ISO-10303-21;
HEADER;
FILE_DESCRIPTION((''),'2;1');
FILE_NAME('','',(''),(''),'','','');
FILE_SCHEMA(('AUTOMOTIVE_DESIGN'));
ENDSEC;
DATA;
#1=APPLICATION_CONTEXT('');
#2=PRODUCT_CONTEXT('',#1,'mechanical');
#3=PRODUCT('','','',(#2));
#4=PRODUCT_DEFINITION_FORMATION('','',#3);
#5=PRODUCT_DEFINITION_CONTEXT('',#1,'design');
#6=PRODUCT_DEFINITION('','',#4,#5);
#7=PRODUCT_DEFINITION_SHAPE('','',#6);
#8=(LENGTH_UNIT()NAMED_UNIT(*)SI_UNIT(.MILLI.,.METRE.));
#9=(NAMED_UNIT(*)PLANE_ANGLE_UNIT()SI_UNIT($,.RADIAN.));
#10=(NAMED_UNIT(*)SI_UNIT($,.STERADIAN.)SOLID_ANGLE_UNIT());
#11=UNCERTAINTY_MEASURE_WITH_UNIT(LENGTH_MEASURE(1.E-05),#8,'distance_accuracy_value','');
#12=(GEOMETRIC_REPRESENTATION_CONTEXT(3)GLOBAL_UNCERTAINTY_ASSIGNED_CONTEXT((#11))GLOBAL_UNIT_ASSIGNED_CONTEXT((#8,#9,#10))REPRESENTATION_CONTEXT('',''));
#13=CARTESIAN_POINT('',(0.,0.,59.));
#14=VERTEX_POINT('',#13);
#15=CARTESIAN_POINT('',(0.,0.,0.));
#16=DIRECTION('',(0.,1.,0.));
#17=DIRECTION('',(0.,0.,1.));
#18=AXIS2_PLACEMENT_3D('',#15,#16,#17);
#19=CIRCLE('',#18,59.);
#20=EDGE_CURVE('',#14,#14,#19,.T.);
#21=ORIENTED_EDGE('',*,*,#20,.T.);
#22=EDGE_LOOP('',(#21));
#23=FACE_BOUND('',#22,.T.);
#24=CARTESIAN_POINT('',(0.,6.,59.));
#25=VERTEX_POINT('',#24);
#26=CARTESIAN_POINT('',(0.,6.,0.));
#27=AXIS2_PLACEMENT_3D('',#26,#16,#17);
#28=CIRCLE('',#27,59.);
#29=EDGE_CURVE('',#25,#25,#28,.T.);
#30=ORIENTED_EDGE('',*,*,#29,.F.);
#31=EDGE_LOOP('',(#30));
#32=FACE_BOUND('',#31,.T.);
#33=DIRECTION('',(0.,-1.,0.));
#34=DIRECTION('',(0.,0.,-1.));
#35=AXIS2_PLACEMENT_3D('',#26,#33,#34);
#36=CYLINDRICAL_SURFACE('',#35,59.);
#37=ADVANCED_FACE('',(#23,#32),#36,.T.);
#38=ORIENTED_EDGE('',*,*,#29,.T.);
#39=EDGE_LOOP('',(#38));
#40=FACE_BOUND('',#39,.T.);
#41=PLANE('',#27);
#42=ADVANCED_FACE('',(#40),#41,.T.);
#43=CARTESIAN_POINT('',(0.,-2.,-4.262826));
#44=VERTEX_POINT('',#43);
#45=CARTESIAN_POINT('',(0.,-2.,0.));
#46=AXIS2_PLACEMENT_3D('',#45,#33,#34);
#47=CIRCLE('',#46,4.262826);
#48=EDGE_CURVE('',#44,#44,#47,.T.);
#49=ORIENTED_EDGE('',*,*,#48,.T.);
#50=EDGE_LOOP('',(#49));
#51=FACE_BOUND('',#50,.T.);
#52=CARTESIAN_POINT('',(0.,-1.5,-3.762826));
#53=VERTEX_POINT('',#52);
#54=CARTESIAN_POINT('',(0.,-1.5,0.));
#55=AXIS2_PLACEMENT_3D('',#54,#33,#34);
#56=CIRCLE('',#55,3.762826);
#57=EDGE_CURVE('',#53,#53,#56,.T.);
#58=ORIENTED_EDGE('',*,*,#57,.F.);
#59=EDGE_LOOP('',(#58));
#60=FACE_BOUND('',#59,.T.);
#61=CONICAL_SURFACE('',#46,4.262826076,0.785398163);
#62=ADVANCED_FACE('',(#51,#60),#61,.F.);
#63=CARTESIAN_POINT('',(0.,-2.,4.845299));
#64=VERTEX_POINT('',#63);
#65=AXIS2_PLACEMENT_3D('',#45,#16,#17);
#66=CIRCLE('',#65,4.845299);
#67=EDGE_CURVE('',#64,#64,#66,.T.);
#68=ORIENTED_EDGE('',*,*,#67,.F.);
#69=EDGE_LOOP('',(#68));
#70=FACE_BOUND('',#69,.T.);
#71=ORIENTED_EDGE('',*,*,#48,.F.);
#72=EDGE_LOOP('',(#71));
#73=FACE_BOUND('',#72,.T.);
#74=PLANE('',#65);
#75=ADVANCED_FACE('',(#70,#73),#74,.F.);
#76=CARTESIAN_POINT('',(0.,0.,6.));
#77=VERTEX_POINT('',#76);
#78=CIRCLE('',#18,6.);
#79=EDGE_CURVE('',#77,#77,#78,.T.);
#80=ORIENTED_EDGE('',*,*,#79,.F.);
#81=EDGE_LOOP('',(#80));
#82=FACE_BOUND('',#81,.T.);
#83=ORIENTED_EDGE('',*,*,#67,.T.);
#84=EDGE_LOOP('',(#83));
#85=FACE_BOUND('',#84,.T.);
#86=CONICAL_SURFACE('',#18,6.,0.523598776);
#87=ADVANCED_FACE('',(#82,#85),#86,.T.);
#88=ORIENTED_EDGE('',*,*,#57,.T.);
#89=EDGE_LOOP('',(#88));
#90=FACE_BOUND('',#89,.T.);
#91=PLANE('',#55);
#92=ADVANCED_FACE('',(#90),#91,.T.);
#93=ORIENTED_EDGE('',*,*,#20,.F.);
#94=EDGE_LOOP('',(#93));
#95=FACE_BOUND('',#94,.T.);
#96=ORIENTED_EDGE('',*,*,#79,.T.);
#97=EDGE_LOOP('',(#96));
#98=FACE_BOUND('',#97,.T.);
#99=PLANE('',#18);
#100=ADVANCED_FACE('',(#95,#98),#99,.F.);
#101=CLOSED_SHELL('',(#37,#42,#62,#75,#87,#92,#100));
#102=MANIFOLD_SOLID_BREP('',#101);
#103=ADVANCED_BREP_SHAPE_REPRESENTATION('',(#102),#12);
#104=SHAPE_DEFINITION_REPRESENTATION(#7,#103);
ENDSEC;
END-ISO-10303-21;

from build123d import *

# Parameters (mm, degrees)
SKIZZE1_R                       = 59
AUFSATZ_LINEAR_AUSTRAGEN1_DEPTH = 6
SKIZZE1_3_R                     = 6
AUFSATZ_LINEAR_AUSTRAGEN2_DEPTH = 2
AUFSATZ_LINEAR_AUSTRAGEN2_DRAFT = -30
SKIZZE2_R                       = 4.262826076
SCHNITT_LINEAR_AUSTRAGEN1_DEPTH = 0.5
SCHNITT_LINEAR_AUSTRAGEN1_DRAFT = -45


with BuildPart() as part:
    # Skizze1 → Aufsatz-Linear austragen1 (new body)
    with BuildSketch(Plane(origin=(0, 0, 0), x_dir=(1, 0, 0), z_dir=(0, 1, 0))):
        Circle(SKIZZE1_R)
    extrude(amount=AUFSATZ_LINEAR_AUSTRAGEN1_DEPTH)


with BuildPart() as aufsatz_linear_austragen2_tool:
    # Skizze1<3> → Aufsatz-Linear austragen2 (with draft: the straight prism first)
    with BuildSketch(Plane(origin=(0, 0, 0), x_dir=(1, 0, 0), z_dir=(0, 1, 0))):
        Circle(SKIZZE1_3_R)
    extrude(amount=-AUFSATZ_LINEAR_AUSTRAGEN2_DEPTH)
    # Aufsatz-Linear austragen2: the draft: its side faces are tilted about the plane it starts from
    aufsatz_linear_austragen2_sides = [aufsatz_linear_austragen2_tool.faces().sort_by_distance(p)[0] for p in [
        (-6, -1, 0),
    ]]
    draft(aufsatz_linear_austragen2_sides, Plane(origin=(0, 0, 0), x_dir=(1, 0, 0), z_dir=(0, 1, 0)), AUFSATZ_LINEAR_AUSTRAGEN2_DRAFT)


with BuildPart() as part_1:
    add(part.part)

    # Aufsatz-Linear austragen2: add aufsatz_linear_austragen2_tool
    add(aufsatz_linear_austragen2_tool.part)


with BuildPart() as schnitt_linear_austragen1_tool:
    # Skizze2 → Schnitt-Linear austragen1 (with draft: the straight prism first)
    with BuildSketch(Plane.XZ.offset(2)):
        Circle(SKIZZE2_R)
    extrude(amount=-SCHNITT_LINEAR_AUSTRAGEN1_DEPTH)
    # Schnitt-Linear austragen1: the draft: its side faces are tilted about the plane it starts from
    schnitt_linear_austragen1_sides = [schnitt_linear_austragen1_tool.faces().sort_by_distance(p)[0] for p in [
        (-4.262826076, -1.75, 0),
    ]]
    draft(schnitt_linear_austragen1_sides, Plane.XZ.offset(2), SCHNITT_LINEAR_AUSTRAGEN1_DRAFT)


with BuildPart() as part_2:
    add(part_1.part)

    # Schnitt-Linear austragen1: cut by schnitt_linear_austragen1_tool
    add(schnitt_linear_austragen1_tool.part, mode=Mode.SUBTRACT)


solid = part_2.part
